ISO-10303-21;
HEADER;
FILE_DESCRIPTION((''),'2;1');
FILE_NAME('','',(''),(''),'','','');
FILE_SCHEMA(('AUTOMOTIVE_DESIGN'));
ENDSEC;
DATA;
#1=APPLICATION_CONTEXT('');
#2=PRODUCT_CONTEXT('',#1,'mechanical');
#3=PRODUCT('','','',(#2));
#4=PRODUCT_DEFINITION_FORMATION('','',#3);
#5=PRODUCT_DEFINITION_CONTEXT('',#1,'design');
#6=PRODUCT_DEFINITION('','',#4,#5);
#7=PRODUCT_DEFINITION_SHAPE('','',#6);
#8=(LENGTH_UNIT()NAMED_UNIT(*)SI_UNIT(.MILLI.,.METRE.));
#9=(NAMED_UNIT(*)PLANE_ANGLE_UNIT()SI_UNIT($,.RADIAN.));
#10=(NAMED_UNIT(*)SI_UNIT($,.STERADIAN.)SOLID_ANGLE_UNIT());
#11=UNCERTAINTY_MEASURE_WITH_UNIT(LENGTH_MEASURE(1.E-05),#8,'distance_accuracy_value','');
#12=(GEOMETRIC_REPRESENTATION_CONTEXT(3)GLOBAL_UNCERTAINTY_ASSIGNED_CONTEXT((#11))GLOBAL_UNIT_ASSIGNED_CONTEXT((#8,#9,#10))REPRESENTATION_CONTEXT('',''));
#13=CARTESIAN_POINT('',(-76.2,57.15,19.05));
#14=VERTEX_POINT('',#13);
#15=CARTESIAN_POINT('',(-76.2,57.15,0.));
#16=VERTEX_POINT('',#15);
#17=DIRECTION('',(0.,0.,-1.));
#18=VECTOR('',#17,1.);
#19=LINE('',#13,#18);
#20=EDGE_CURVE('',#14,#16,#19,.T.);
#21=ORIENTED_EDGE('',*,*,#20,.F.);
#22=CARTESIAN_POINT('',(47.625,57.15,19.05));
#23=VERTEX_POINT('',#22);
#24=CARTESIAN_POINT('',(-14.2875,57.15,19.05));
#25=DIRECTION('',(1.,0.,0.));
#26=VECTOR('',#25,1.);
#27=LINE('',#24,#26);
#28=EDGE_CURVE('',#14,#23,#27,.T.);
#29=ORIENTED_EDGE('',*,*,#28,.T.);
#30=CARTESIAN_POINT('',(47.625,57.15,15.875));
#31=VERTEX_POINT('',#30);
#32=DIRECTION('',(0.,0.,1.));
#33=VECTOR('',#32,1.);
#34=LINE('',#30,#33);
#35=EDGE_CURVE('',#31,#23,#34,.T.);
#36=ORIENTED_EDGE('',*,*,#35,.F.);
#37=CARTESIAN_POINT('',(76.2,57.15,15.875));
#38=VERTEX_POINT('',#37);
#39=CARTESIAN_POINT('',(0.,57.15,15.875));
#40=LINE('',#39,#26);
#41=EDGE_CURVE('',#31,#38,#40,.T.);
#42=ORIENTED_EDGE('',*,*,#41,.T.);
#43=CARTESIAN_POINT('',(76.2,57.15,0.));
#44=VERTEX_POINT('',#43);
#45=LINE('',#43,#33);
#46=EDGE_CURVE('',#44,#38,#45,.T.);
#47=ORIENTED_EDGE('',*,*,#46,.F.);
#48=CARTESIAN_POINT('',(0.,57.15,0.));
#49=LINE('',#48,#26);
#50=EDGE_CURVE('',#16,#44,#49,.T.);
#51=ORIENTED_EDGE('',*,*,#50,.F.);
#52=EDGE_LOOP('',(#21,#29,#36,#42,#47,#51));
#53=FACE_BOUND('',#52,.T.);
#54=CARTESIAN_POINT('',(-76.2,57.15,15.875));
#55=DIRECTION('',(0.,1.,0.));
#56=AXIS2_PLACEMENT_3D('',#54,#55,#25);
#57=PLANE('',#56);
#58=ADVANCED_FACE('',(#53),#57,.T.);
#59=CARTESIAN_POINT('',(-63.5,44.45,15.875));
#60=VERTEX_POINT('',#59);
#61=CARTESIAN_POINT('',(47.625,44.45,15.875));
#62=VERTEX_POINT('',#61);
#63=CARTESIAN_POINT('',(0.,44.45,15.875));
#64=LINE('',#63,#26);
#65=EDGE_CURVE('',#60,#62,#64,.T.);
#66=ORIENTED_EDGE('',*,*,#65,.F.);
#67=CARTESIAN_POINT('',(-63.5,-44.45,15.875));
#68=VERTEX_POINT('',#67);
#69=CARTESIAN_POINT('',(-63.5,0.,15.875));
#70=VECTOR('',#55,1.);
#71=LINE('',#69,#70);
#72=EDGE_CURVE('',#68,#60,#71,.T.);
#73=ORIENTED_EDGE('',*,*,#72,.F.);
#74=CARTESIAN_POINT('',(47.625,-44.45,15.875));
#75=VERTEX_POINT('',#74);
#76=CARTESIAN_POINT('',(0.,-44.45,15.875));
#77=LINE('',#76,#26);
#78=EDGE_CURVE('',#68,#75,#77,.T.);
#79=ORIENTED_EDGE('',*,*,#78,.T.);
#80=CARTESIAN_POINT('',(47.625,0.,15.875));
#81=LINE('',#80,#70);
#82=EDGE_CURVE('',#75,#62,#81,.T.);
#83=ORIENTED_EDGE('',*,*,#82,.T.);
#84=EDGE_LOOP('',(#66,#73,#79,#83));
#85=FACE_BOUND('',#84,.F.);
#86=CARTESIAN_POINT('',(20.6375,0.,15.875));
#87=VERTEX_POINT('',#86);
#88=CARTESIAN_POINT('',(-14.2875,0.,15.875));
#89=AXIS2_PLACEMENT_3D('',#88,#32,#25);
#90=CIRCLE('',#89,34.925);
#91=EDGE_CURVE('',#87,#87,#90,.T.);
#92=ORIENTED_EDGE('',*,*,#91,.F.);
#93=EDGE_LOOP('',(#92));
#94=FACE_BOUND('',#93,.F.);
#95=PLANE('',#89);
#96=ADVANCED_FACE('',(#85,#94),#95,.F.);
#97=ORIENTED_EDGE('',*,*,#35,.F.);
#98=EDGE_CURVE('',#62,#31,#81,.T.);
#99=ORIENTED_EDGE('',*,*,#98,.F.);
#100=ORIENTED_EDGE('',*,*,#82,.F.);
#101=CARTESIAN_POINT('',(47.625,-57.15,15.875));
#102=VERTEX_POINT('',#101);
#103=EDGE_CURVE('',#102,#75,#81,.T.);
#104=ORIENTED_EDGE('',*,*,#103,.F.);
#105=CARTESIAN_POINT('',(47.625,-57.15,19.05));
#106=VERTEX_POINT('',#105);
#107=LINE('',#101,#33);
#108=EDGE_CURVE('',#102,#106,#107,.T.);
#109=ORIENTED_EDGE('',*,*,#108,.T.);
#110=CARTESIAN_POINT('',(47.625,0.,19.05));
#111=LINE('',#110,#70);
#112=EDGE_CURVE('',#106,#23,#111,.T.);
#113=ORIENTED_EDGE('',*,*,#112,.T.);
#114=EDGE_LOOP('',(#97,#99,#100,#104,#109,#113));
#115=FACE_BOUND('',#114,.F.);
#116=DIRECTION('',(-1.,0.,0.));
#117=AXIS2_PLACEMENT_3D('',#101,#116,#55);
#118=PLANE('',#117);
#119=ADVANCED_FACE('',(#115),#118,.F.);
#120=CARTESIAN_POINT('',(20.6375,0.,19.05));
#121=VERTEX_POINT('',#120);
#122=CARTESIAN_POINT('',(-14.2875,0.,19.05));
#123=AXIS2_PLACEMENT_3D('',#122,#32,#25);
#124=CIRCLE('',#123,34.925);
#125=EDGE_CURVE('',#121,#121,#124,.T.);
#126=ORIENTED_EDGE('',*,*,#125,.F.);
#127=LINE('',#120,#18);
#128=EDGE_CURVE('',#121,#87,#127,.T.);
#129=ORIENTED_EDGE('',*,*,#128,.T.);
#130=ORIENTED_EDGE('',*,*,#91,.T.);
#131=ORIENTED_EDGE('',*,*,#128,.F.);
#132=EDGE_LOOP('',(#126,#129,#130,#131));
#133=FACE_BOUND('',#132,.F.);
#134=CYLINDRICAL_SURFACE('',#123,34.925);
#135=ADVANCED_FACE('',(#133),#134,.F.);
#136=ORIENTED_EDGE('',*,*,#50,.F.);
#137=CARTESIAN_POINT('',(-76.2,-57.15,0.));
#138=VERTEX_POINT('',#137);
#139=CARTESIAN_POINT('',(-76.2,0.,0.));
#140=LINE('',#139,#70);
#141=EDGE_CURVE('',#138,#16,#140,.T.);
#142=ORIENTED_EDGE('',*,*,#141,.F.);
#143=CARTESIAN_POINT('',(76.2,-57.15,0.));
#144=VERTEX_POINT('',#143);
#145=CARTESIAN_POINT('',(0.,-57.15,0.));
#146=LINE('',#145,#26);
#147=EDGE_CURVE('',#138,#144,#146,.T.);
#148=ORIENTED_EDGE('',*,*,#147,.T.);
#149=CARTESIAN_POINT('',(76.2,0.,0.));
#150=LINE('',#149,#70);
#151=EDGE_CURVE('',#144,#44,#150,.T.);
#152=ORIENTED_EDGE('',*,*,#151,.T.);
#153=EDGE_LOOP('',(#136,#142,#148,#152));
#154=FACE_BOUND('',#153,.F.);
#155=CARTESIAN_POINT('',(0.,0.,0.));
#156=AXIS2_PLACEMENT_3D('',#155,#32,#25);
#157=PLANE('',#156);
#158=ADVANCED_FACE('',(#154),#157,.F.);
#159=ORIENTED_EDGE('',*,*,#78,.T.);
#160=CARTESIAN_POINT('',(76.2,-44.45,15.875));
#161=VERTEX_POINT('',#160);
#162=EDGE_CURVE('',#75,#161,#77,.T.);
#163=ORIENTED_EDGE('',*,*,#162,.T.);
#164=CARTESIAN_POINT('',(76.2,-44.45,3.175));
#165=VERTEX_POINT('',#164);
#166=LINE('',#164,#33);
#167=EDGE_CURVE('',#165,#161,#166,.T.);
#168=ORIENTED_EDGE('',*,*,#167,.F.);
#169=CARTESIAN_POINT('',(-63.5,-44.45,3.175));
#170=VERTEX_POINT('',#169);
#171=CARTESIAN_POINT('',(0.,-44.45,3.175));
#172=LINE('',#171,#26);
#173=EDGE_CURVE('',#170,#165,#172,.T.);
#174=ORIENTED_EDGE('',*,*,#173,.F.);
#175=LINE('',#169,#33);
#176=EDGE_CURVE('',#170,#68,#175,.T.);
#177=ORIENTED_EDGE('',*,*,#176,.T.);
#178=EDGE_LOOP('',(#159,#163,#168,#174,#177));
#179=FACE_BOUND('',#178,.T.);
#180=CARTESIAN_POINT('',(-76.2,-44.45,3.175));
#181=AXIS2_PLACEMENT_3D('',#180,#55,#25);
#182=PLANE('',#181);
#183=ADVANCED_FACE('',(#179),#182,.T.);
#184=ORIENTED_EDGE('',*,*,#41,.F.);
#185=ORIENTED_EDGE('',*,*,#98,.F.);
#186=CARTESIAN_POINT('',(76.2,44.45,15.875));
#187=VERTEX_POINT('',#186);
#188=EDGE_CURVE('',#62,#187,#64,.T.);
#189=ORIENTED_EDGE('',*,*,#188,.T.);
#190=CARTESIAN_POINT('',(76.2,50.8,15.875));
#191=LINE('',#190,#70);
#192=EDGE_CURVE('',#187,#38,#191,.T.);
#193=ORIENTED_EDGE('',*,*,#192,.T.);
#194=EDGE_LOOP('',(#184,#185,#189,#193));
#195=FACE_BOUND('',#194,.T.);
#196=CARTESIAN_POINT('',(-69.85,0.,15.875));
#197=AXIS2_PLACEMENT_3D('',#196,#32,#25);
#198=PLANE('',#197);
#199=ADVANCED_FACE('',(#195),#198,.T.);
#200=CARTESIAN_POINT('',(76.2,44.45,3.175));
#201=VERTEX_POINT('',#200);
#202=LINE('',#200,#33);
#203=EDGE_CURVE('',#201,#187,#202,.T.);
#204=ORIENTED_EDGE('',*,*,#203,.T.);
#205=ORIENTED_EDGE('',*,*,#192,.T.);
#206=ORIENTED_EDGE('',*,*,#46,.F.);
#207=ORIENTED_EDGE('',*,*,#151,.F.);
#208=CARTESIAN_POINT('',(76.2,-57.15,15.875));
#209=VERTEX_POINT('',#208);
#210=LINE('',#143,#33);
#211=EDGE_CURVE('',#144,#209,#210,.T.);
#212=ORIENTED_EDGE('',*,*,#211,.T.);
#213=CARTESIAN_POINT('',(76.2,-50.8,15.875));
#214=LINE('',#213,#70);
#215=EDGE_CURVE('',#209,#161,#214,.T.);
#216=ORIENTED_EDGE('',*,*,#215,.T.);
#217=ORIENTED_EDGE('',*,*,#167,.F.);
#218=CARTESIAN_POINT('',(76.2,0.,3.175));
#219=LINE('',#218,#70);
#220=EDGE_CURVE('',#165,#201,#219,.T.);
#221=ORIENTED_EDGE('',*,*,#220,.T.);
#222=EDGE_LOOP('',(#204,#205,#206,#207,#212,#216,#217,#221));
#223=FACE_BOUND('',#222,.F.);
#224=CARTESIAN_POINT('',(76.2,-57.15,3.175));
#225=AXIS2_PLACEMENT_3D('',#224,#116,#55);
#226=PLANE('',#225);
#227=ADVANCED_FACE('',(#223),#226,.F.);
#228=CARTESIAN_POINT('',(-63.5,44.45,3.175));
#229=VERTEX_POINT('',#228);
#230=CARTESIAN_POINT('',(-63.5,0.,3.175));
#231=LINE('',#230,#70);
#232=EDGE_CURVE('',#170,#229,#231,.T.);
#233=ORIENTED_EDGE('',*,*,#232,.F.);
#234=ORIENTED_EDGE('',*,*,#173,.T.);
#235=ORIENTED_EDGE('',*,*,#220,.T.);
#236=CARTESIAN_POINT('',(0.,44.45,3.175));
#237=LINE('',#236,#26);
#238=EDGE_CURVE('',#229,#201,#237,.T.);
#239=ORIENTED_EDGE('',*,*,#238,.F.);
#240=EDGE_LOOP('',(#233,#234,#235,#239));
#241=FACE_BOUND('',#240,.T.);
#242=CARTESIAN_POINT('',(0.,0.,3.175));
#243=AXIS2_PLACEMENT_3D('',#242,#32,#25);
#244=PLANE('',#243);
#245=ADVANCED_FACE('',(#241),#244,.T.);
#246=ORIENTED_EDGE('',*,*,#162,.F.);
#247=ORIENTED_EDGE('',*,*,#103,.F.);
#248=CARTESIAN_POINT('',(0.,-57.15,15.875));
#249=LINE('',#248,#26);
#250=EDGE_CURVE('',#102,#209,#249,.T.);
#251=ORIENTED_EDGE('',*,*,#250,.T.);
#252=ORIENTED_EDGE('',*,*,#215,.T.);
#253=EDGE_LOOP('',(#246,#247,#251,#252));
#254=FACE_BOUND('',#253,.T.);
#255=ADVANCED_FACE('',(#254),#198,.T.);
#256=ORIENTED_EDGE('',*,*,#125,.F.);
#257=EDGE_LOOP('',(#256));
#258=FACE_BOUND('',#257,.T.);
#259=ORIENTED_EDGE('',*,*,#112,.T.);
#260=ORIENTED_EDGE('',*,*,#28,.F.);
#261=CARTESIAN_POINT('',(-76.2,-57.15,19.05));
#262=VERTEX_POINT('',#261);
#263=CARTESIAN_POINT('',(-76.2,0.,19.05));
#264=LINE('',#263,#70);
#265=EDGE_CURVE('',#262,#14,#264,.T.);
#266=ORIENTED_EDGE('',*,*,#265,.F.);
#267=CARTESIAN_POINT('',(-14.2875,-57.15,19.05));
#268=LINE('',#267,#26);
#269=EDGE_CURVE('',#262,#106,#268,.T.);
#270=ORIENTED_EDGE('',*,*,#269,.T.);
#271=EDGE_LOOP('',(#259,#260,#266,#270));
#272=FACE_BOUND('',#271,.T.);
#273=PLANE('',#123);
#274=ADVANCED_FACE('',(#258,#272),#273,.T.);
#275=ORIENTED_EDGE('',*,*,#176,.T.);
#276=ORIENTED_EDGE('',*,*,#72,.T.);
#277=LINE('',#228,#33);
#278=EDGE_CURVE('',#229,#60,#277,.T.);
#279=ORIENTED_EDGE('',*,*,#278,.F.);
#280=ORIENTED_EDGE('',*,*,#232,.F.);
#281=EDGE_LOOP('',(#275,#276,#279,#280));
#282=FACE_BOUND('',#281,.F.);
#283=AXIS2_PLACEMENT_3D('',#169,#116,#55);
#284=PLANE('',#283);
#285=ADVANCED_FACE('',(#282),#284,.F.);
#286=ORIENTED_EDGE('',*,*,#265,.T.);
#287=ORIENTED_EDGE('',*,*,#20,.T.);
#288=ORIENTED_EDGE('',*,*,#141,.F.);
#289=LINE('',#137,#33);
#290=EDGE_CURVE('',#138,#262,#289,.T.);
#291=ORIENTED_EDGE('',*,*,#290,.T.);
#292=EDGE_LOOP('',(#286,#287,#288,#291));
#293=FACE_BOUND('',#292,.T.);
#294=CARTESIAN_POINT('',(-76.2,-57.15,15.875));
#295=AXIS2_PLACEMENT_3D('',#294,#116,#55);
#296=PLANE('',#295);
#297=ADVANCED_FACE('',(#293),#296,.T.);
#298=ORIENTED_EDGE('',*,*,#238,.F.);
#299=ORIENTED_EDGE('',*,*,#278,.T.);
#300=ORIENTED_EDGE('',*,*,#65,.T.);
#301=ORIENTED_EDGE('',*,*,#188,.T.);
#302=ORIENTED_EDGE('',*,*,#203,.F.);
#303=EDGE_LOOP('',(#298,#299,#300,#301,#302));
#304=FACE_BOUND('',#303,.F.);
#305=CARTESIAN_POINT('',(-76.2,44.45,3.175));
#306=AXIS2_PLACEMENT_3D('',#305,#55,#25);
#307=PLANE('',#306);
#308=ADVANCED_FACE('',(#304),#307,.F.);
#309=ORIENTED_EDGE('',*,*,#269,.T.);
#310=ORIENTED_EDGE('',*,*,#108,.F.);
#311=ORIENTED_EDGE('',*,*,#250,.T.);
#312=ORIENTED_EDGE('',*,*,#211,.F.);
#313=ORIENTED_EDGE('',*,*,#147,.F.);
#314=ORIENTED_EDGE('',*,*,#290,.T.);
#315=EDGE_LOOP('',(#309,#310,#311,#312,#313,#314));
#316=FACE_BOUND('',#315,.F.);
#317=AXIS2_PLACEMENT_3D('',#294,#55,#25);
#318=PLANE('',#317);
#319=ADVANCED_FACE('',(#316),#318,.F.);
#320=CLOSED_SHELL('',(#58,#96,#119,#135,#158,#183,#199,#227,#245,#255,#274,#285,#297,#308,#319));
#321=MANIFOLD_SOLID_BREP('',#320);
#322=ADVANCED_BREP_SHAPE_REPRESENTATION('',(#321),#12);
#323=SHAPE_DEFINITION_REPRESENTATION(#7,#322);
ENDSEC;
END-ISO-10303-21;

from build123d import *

# Parameters (mm, degrees)
F0_W     = 152.4
F0_H     = 114.3
F1_DEPTH = 3.175
F2_W     = 152.4
F2_H     = 12.7
F3_DEPTH = 12.7
F4_W     = 12.7
F4_H     = 88.9
F5_DEPTH = 12.7
F6_W     = 123.825
F6_H     = 114.3
F7_DEPTH = 3.175
F8_R     = 34.925
F9_DEPTH = 3.175


with BuildPart() as f1:
    # F0 (on Top) → F1 (new body)
    with BuildSketch(Plane.XY):
        Rectangle(F0_W, F0_H)
    extrude(amount=F1_DEPTH)

    # F2 (on face) → F3 (join)
    with BuildSketch(Plane.XY.offset(3.175)):
        with Locations((0, -50.8)):
            Rectangle(F2_W, F2_H)
        with Locations((0, 50.8)):
            Rectangle(F2_W, F2_H)
    extrude(amount=F3_DEPTH)

    # F4 (on face) → F5 (join)
    with BuildSketch(Plane.XY.offset(3.175)):
        with Locations((-69.85, 0)):
            Rectangle(F4_W, F4_H)
    extrude(amount=F5_DEPTH)

    # F6 (on face) → F7 (join)
    with BuildSketch(Plane.XY.offset(15.875)):
        with Locations((-14.2875, 0)):
            Rectangle(F6_W, F6_H)
    extrude(amount=F7_DEPTH)

    # F8 (on face) → F9 (cut)
    with BuildSketch(Plane.XY.offset(19.05)):
        with Locations((-14.2875, 0)):
            Circle(F8_R)
    extrude(amount=-F9_DEPTH, mode=Mode.SUBTRACT)


solid = f1.part
